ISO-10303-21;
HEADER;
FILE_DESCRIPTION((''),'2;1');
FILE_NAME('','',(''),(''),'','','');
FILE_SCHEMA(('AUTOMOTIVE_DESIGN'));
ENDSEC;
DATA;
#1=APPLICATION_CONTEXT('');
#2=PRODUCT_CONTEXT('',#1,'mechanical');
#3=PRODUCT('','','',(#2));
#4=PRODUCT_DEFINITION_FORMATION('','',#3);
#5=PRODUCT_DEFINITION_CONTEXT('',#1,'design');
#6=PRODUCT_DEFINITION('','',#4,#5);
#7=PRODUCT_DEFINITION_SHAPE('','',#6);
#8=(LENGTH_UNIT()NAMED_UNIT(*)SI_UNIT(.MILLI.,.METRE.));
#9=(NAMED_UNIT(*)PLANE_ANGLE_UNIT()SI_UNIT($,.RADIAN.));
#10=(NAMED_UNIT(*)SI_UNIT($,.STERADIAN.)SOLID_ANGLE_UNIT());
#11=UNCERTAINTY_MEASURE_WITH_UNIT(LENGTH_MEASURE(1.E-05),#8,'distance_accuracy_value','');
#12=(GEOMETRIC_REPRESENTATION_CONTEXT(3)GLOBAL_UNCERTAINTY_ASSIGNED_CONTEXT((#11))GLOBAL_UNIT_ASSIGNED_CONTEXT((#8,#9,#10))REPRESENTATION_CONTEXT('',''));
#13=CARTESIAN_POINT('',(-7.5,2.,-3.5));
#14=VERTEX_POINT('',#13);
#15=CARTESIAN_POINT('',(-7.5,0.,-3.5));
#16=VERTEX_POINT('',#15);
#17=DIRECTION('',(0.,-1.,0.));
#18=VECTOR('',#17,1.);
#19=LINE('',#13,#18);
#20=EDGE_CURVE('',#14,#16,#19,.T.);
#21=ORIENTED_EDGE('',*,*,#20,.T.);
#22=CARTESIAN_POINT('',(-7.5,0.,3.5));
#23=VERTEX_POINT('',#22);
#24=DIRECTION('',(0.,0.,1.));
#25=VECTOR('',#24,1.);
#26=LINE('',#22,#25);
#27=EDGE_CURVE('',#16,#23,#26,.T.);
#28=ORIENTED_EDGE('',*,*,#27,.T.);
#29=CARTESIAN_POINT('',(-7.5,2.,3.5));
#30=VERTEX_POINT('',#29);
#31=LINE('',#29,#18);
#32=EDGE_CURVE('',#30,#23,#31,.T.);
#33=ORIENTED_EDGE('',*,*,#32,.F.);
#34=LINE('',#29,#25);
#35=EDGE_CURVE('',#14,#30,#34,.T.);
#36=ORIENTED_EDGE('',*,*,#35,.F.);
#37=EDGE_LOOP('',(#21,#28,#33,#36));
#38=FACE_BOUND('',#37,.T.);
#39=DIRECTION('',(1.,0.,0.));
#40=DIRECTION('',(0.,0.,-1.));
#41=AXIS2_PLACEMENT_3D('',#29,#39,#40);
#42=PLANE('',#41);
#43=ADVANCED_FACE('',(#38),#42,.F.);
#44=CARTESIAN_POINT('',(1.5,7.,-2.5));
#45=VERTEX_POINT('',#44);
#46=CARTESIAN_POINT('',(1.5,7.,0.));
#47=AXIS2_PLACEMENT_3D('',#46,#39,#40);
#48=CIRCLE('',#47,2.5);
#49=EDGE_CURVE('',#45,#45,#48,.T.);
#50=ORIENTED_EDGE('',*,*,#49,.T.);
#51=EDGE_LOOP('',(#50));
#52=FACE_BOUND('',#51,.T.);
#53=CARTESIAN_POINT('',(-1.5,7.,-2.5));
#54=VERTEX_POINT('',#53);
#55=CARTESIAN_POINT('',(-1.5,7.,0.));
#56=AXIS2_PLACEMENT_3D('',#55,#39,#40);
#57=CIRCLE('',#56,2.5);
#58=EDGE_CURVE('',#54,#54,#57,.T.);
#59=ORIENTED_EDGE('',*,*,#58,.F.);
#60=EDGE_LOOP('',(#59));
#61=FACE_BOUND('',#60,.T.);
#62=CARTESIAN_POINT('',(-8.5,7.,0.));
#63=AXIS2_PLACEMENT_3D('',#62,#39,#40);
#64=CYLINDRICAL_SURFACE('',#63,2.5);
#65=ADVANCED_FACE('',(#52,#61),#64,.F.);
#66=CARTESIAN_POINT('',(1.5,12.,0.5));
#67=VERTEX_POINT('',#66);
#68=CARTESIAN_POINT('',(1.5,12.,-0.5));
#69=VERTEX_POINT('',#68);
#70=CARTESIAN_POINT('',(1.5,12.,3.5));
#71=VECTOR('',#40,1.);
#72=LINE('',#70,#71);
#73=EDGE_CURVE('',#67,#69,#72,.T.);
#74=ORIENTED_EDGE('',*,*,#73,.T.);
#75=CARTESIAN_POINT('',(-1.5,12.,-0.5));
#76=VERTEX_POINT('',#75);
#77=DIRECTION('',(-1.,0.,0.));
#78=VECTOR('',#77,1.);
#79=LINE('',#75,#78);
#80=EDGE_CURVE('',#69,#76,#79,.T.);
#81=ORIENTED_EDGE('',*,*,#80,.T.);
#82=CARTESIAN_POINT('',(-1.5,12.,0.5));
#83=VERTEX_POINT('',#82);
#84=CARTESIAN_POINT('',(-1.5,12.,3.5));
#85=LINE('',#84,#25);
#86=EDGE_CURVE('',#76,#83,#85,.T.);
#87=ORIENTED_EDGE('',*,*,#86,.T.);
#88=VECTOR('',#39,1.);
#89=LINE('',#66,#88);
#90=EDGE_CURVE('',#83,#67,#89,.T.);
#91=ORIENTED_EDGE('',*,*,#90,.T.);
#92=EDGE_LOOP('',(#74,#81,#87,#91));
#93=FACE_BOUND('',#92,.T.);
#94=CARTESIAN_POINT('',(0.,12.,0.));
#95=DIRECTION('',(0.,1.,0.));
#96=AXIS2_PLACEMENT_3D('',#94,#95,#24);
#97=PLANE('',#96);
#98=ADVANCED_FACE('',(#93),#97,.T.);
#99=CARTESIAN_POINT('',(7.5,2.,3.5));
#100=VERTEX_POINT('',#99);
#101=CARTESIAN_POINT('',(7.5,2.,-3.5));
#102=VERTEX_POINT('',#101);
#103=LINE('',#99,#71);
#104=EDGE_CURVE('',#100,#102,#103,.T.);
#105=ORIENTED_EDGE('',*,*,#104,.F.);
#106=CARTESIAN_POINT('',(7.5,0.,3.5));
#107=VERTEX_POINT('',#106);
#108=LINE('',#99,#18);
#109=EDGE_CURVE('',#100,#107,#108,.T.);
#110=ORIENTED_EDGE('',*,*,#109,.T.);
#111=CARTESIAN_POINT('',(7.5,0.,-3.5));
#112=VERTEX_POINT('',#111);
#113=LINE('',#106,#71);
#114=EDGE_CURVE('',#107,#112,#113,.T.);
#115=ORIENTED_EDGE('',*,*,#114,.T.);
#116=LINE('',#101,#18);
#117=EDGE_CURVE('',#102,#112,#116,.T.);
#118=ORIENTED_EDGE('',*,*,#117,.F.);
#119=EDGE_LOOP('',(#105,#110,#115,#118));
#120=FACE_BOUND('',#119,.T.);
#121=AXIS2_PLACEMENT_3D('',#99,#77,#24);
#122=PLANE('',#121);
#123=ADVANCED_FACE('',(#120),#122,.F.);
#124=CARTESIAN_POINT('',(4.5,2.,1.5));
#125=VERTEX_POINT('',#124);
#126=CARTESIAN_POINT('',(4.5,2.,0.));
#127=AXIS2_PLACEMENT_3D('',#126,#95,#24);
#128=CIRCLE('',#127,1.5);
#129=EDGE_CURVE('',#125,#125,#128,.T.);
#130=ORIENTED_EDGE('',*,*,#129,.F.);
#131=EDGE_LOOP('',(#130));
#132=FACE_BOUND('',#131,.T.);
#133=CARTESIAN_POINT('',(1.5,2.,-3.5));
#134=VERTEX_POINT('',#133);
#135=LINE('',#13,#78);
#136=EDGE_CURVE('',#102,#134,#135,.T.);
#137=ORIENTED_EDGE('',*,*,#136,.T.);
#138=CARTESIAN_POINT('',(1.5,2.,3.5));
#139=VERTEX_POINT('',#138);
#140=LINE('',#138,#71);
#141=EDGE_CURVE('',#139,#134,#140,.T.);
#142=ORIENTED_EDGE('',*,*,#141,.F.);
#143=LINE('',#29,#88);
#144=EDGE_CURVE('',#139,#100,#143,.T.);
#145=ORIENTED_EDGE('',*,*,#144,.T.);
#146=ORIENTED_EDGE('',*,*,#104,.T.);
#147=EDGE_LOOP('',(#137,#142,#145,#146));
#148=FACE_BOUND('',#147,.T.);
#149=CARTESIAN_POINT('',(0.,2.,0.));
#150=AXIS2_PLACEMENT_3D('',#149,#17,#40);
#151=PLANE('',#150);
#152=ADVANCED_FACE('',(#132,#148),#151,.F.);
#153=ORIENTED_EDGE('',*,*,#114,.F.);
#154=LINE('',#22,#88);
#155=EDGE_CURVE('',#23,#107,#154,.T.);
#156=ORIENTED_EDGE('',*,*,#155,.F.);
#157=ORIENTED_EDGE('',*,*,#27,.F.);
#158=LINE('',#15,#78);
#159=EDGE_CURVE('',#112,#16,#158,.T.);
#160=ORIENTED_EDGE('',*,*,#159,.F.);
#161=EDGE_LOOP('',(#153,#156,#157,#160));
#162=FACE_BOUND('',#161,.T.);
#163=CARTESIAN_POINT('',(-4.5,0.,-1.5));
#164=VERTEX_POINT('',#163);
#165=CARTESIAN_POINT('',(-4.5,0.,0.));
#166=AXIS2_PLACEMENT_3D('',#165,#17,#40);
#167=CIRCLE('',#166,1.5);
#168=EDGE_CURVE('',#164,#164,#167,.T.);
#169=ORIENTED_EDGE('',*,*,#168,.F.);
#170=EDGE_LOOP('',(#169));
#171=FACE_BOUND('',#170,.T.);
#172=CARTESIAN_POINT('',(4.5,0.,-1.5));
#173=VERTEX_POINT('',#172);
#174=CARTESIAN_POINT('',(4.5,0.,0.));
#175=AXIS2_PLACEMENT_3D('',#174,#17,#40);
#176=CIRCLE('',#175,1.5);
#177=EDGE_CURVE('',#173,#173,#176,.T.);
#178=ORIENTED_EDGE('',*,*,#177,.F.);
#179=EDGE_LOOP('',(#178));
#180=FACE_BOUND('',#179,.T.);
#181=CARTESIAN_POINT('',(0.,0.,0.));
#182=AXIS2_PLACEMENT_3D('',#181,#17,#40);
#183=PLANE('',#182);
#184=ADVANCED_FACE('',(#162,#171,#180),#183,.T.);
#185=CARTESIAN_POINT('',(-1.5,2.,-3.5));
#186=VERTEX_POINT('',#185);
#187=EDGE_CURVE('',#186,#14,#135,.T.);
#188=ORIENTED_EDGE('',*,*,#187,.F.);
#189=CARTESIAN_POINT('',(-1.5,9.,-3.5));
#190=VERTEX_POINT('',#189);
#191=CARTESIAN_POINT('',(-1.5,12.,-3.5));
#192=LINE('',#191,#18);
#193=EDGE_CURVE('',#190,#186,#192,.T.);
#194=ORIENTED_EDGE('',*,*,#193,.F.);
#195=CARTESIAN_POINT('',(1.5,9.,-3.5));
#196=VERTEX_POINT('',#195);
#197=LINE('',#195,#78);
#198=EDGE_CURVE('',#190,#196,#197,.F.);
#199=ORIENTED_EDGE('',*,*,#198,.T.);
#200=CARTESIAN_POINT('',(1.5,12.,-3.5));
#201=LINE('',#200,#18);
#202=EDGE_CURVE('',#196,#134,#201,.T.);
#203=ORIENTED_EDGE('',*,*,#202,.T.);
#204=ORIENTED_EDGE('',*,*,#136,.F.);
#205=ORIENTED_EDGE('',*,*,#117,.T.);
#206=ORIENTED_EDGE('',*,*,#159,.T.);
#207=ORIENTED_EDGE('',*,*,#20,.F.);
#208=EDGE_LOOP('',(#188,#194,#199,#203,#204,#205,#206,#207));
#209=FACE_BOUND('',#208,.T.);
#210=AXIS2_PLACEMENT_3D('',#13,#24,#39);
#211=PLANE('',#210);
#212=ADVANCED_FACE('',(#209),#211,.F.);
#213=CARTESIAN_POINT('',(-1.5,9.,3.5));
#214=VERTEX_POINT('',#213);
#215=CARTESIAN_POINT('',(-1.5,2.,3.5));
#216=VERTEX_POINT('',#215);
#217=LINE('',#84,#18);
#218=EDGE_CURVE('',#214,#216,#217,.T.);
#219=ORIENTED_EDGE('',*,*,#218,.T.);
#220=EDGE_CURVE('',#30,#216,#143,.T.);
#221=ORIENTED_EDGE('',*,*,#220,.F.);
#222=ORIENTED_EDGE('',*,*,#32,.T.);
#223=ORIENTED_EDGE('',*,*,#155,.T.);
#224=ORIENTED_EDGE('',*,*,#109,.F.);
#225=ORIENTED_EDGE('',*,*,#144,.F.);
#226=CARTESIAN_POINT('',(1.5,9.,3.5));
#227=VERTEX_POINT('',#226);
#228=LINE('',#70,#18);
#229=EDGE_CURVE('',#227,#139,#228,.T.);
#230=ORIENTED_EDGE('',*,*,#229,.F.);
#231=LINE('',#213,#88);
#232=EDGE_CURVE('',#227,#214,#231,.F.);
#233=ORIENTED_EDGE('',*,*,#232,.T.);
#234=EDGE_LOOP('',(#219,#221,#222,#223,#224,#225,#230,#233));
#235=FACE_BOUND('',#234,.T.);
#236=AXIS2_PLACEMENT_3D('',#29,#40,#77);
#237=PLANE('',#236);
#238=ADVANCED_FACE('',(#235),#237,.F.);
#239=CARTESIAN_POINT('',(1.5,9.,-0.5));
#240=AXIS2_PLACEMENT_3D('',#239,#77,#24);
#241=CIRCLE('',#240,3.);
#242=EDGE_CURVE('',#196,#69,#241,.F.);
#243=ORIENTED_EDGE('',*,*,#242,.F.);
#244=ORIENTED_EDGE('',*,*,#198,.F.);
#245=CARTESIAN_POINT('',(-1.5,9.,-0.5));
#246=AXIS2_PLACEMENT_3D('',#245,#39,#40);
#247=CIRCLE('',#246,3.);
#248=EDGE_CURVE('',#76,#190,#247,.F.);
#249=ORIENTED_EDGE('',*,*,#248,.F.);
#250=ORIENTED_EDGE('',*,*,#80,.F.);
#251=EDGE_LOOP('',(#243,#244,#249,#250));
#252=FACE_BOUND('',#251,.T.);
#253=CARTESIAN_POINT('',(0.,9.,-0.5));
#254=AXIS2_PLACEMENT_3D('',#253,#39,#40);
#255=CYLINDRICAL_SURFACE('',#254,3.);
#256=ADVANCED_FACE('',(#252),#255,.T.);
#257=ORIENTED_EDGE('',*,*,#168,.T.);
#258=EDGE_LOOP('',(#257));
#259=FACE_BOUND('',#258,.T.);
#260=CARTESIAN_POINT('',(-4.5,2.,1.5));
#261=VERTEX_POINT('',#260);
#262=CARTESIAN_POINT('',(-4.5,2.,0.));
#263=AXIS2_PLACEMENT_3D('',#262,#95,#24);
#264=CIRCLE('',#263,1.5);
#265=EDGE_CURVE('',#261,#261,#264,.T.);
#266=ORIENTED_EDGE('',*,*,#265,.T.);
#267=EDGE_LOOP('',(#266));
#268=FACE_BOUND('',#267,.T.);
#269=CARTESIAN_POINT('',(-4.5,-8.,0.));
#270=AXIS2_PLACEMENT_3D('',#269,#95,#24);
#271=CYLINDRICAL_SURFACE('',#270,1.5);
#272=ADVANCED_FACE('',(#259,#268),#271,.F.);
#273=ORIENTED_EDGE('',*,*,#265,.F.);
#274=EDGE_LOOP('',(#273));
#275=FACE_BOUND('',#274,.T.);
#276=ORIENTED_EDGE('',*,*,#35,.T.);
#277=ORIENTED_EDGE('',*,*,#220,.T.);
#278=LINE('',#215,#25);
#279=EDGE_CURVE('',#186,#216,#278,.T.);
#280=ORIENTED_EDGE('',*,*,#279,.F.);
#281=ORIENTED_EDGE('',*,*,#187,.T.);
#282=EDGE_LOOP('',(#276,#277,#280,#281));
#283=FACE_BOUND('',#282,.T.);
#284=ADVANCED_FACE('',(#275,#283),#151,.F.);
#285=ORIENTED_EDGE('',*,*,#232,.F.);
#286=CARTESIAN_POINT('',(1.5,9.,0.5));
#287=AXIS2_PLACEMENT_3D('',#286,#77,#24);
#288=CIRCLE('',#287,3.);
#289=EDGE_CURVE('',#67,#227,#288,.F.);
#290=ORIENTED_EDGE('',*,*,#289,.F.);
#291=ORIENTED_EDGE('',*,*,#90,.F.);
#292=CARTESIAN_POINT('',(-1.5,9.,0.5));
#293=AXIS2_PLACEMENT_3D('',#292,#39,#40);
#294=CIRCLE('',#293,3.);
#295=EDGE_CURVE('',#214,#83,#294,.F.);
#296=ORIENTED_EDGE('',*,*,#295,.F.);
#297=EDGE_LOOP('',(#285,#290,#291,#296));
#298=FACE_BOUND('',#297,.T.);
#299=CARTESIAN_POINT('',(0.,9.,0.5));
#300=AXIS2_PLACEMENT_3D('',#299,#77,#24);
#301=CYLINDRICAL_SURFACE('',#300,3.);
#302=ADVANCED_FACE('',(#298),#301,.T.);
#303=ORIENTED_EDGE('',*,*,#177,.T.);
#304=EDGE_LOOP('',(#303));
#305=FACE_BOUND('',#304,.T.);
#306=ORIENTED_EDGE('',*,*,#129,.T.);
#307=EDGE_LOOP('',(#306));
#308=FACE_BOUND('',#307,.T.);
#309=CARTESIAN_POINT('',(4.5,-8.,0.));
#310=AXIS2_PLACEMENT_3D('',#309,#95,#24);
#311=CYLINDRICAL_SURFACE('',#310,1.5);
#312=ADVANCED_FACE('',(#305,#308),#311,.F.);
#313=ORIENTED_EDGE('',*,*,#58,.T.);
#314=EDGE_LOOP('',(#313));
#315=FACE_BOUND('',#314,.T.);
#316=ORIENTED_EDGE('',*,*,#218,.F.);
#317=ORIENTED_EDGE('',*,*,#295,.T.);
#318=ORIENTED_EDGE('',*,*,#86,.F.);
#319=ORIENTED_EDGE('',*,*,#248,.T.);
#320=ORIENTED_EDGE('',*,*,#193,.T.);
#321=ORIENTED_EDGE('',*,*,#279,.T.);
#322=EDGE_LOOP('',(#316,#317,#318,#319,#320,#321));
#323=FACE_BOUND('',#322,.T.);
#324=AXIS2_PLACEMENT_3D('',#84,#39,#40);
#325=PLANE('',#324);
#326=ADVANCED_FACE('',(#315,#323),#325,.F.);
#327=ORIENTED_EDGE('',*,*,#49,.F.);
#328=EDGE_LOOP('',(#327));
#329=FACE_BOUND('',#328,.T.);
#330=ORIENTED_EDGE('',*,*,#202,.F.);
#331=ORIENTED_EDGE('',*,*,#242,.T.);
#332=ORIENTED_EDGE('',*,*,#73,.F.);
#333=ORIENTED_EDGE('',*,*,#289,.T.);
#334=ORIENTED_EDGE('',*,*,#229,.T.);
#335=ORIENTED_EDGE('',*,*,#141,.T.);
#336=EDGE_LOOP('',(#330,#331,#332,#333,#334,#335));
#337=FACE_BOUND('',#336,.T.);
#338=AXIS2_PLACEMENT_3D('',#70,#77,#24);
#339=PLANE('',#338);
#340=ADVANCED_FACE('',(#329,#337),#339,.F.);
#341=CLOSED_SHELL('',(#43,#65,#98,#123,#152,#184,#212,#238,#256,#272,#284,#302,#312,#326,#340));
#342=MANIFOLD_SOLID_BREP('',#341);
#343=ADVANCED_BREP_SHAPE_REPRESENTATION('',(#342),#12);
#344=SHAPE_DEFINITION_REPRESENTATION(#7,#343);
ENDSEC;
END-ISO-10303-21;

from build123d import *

# Parameters (mm, degrees)
SKETCH1_W           = 15
SKETCH1_H           = 7
BOSS_EXTRUDE1_DEPTH = 2
SKETCH2_W           = 3
SKETCH2_H           = 7
BOSS_EXTRUDE2_DEPTH = 10
SKETCH3_R           = 2.5
CUT_EXTRUDE1_DEPTH  = 10
FILLET1_R           = 3
SKETCH4_R           = 1.5
CUT_EXTRUDE2_DEPTH  = 10


with BuildPart() as part:
    # Sketch1 → Boss-Extrude1 (new body)
    with BuildSketch(Plane(origin=(0, 0, 0), x_dir=(1, 0, 0), z_dir=(0, 1, 0))):
        Rectangle(SKETCH1_W, SKETCH1_H)
    extrude(amount=BOSS_EXTRUDE1_DEPTH)

    # Sketch2 → Boss-Extrude2 (add)
    with BuildSketch(Plane(origin=(0, 2, 0), x_dir=(1, 0, 0), z_dir=(0, 1, 0))):
        Rectangle(SKETCH2_W, SKETCH2_H)
    extrude(amount=BOSS_EXTRUDE2_DEPTH)

    # Sketch3 → Cut-Extrude1 (cut)
    with BuildSketch(Plane(origin=(1.5, 0, 0), x_dir=(0, 0, -1), z_dir=(1, 0, 0))):
        with Locations((0, 7)):
            Circle(SKETCH3_R)
    extrude(amount=-CUT_EXTRUDE1_DEPTH, mode=Mode.SUBTRACT)

    # Fillet1
    fillet1_edges = [part.edges().sort_by_distance(p)[0] for p in [
        (0, 12, 3.5),
        (0, 12, -3.5),
    ]]
    fillet(fillet1_edges, radius=FILLET1_R)

    # Sketch4 → Cut-Extrude2 (cut)
    with BuildSketch(Plane(origin=(0, 2, 0), x_dir=(1, 0, 0), z_dir=(0, 1, 0))):
        with Locations(Location((4.5, 0, 0), (0, 0, 270))):
            Circle(SKETCH4_R)
        with Locations(Location((-4.5, 0, 0), (0, 0, 270))):
            Circle(SKETCH4_R)
    extrude(amount=-CUT_EXTRUDE2_DEPTH, mode=Mode.SUBTRACT)


solid = part.part
